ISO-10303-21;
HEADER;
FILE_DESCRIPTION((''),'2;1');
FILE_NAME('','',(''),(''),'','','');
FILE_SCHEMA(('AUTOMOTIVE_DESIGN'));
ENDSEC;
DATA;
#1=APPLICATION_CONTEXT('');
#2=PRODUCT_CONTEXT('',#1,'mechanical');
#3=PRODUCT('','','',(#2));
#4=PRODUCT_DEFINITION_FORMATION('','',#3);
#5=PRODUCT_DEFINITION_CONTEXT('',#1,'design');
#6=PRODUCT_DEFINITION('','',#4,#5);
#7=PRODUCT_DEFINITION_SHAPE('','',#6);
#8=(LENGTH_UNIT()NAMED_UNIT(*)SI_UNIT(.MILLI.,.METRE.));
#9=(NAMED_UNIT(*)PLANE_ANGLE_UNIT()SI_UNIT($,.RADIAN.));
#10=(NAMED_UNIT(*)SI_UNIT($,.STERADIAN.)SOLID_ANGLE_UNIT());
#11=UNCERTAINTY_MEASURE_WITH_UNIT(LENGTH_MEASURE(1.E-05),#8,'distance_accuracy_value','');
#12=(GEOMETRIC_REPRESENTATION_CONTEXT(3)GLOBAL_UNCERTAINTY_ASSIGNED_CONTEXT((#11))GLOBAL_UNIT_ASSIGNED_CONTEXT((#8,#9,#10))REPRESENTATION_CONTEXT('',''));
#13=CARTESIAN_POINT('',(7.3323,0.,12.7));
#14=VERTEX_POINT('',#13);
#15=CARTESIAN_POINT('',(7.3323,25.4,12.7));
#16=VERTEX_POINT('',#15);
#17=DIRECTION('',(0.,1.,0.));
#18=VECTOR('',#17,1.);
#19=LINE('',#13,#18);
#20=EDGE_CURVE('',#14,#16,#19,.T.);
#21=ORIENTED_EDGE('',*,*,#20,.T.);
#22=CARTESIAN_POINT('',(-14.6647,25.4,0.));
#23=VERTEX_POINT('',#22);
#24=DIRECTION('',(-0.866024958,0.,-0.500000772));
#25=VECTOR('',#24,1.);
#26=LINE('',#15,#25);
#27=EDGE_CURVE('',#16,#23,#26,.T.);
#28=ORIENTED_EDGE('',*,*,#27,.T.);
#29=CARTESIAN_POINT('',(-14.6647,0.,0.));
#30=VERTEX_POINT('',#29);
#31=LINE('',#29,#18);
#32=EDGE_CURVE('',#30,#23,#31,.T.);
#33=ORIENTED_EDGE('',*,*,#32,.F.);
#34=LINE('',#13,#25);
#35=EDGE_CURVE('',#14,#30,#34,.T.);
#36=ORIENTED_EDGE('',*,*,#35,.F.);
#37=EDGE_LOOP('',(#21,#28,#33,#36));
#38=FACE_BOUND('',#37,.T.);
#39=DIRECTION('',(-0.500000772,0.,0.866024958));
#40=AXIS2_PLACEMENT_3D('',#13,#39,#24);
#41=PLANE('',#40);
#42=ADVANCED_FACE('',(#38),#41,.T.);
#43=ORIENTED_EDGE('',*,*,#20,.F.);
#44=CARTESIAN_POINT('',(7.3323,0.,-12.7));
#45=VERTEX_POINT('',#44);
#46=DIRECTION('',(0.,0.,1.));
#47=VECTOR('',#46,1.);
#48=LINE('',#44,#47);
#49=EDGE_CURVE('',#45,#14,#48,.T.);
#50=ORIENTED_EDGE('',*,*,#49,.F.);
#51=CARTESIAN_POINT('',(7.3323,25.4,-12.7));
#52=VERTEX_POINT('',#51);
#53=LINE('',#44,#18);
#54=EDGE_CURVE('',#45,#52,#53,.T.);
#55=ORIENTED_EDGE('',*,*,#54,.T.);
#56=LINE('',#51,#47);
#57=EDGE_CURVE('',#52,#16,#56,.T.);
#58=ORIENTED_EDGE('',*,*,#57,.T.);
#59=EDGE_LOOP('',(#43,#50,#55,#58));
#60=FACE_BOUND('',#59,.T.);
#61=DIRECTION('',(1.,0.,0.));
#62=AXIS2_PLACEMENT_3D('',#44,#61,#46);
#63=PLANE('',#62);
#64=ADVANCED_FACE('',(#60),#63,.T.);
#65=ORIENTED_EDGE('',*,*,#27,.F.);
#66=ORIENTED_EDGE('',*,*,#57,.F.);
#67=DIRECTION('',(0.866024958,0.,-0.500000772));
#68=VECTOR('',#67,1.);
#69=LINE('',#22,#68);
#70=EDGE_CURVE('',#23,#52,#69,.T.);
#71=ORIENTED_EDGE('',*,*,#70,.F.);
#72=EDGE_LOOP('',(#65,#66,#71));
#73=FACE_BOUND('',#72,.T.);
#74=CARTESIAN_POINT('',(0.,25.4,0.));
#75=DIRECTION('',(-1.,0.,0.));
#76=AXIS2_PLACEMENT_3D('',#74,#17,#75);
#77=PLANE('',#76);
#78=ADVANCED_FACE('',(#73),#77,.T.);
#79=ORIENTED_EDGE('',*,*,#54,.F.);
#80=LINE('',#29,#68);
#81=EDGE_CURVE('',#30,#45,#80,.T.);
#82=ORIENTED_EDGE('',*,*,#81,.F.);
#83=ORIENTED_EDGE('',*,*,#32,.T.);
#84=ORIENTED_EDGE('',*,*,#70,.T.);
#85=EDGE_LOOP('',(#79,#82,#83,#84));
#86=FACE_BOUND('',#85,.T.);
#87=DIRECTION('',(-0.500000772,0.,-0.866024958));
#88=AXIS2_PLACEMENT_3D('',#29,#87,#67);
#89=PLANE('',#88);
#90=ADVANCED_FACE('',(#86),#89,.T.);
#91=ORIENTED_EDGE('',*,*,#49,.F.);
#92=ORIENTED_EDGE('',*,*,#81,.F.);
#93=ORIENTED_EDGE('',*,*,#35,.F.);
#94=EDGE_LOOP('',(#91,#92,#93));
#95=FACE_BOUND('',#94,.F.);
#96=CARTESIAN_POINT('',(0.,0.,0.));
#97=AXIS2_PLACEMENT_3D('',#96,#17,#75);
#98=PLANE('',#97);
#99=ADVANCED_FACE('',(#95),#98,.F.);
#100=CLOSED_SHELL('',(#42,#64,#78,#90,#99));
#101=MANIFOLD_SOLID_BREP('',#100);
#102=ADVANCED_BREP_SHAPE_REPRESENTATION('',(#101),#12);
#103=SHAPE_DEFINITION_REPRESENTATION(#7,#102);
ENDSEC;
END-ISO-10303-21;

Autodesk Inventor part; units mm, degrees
ref_plane "YZ Plane" through (0, 0, 0) normal (1, 0, 0) x (0, 1, 0)
ref_plane "XZ Plane" through (0, 0, 0) normal (0, 1, 0) x (-1, 0, 0)
ref_plane "XY Plane" through (0, 0, 0) normal (0, 0, 1) x (1, 0, 0)
sketch "Sketch1" plane through (0, 0, 0) normal (0, 1, 0) x (-1, 0, 0)
  line L0 (-7.3323, -12.7) -> (-7.3323, 12.7)
  line L1 (-7.3323, 12.7) -> (14.6647, 0)
  line L2 (14.6647, 0) -> (-7.3323, -12.7)
  point P0 (0, 0)
  point P1 (0, 0)
  point P2 (-7.3323, 0)
  dimension "d0" = 25.4
extrude "Extrusion1" add sketch "Sketch1" along normal blind 25.4
properties part number "Prisma-25.4" material "Glass"
